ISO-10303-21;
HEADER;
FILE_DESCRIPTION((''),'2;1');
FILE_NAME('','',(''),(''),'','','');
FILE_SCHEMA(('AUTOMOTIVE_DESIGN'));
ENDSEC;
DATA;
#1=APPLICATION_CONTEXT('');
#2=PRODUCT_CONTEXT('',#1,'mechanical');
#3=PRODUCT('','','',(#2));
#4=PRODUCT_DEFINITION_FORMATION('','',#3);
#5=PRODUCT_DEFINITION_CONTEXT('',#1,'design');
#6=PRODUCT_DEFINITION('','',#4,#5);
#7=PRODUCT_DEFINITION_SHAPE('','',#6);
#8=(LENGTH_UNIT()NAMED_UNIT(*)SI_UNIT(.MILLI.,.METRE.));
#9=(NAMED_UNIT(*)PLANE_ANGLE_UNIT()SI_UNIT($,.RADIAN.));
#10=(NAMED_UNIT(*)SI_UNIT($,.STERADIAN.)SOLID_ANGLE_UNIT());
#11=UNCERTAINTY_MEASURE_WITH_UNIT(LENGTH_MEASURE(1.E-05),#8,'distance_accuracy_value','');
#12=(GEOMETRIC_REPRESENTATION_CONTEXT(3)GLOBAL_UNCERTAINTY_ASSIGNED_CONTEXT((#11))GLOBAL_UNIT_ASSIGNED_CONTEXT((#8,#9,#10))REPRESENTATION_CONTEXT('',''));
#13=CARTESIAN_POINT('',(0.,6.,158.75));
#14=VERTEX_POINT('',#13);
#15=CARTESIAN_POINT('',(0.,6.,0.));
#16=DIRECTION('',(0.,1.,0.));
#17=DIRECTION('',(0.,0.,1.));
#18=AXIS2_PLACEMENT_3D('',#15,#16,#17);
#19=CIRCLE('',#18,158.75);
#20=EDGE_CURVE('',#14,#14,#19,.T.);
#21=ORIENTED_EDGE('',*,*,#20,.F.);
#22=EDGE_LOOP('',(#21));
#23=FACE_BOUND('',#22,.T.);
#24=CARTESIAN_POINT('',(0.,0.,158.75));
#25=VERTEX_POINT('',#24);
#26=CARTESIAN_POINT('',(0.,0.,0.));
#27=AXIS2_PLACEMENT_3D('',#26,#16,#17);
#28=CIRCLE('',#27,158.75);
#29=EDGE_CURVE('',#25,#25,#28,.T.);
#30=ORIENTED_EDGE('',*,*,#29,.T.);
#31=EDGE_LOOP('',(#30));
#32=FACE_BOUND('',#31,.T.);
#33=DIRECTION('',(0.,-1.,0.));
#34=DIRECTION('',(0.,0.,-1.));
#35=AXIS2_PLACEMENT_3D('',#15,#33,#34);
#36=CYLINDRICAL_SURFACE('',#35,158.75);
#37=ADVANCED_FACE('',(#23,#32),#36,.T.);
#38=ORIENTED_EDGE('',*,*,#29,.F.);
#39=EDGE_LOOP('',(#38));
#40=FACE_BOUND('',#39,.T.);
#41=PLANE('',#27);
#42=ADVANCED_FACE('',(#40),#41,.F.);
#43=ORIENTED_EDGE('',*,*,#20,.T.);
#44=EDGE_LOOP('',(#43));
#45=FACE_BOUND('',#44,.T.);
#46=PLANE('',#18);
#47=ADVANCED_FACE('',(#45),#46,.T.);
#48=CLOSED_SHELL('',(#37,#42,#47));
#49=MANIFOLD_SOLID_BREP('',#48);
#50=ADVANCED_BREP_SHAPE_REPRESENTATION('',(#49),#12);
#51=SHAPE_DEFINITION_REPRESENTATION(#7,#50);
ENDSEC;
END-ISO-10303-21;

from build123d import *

# Parameters (mm, degrees)
SKETCH1_R           = 158.75
BOSS_EXTRUDE1_DEPTH = 6


with BuildPart() as part:
    # Sketch1 → Boss-Extrude1 (new body)
    with BuildSketch(Plane(origin=(0, 0, 0), x_dir=(1, 0, 0), z_dir=(0, 1, 0))):
        with Locations(Location((0, 0, 0), (0, 0, 270))):
            Circle(SKETCH1_R)
    extrude(amount=BOSS_EXTRUDE1_DEPTH)


solid = part.part
